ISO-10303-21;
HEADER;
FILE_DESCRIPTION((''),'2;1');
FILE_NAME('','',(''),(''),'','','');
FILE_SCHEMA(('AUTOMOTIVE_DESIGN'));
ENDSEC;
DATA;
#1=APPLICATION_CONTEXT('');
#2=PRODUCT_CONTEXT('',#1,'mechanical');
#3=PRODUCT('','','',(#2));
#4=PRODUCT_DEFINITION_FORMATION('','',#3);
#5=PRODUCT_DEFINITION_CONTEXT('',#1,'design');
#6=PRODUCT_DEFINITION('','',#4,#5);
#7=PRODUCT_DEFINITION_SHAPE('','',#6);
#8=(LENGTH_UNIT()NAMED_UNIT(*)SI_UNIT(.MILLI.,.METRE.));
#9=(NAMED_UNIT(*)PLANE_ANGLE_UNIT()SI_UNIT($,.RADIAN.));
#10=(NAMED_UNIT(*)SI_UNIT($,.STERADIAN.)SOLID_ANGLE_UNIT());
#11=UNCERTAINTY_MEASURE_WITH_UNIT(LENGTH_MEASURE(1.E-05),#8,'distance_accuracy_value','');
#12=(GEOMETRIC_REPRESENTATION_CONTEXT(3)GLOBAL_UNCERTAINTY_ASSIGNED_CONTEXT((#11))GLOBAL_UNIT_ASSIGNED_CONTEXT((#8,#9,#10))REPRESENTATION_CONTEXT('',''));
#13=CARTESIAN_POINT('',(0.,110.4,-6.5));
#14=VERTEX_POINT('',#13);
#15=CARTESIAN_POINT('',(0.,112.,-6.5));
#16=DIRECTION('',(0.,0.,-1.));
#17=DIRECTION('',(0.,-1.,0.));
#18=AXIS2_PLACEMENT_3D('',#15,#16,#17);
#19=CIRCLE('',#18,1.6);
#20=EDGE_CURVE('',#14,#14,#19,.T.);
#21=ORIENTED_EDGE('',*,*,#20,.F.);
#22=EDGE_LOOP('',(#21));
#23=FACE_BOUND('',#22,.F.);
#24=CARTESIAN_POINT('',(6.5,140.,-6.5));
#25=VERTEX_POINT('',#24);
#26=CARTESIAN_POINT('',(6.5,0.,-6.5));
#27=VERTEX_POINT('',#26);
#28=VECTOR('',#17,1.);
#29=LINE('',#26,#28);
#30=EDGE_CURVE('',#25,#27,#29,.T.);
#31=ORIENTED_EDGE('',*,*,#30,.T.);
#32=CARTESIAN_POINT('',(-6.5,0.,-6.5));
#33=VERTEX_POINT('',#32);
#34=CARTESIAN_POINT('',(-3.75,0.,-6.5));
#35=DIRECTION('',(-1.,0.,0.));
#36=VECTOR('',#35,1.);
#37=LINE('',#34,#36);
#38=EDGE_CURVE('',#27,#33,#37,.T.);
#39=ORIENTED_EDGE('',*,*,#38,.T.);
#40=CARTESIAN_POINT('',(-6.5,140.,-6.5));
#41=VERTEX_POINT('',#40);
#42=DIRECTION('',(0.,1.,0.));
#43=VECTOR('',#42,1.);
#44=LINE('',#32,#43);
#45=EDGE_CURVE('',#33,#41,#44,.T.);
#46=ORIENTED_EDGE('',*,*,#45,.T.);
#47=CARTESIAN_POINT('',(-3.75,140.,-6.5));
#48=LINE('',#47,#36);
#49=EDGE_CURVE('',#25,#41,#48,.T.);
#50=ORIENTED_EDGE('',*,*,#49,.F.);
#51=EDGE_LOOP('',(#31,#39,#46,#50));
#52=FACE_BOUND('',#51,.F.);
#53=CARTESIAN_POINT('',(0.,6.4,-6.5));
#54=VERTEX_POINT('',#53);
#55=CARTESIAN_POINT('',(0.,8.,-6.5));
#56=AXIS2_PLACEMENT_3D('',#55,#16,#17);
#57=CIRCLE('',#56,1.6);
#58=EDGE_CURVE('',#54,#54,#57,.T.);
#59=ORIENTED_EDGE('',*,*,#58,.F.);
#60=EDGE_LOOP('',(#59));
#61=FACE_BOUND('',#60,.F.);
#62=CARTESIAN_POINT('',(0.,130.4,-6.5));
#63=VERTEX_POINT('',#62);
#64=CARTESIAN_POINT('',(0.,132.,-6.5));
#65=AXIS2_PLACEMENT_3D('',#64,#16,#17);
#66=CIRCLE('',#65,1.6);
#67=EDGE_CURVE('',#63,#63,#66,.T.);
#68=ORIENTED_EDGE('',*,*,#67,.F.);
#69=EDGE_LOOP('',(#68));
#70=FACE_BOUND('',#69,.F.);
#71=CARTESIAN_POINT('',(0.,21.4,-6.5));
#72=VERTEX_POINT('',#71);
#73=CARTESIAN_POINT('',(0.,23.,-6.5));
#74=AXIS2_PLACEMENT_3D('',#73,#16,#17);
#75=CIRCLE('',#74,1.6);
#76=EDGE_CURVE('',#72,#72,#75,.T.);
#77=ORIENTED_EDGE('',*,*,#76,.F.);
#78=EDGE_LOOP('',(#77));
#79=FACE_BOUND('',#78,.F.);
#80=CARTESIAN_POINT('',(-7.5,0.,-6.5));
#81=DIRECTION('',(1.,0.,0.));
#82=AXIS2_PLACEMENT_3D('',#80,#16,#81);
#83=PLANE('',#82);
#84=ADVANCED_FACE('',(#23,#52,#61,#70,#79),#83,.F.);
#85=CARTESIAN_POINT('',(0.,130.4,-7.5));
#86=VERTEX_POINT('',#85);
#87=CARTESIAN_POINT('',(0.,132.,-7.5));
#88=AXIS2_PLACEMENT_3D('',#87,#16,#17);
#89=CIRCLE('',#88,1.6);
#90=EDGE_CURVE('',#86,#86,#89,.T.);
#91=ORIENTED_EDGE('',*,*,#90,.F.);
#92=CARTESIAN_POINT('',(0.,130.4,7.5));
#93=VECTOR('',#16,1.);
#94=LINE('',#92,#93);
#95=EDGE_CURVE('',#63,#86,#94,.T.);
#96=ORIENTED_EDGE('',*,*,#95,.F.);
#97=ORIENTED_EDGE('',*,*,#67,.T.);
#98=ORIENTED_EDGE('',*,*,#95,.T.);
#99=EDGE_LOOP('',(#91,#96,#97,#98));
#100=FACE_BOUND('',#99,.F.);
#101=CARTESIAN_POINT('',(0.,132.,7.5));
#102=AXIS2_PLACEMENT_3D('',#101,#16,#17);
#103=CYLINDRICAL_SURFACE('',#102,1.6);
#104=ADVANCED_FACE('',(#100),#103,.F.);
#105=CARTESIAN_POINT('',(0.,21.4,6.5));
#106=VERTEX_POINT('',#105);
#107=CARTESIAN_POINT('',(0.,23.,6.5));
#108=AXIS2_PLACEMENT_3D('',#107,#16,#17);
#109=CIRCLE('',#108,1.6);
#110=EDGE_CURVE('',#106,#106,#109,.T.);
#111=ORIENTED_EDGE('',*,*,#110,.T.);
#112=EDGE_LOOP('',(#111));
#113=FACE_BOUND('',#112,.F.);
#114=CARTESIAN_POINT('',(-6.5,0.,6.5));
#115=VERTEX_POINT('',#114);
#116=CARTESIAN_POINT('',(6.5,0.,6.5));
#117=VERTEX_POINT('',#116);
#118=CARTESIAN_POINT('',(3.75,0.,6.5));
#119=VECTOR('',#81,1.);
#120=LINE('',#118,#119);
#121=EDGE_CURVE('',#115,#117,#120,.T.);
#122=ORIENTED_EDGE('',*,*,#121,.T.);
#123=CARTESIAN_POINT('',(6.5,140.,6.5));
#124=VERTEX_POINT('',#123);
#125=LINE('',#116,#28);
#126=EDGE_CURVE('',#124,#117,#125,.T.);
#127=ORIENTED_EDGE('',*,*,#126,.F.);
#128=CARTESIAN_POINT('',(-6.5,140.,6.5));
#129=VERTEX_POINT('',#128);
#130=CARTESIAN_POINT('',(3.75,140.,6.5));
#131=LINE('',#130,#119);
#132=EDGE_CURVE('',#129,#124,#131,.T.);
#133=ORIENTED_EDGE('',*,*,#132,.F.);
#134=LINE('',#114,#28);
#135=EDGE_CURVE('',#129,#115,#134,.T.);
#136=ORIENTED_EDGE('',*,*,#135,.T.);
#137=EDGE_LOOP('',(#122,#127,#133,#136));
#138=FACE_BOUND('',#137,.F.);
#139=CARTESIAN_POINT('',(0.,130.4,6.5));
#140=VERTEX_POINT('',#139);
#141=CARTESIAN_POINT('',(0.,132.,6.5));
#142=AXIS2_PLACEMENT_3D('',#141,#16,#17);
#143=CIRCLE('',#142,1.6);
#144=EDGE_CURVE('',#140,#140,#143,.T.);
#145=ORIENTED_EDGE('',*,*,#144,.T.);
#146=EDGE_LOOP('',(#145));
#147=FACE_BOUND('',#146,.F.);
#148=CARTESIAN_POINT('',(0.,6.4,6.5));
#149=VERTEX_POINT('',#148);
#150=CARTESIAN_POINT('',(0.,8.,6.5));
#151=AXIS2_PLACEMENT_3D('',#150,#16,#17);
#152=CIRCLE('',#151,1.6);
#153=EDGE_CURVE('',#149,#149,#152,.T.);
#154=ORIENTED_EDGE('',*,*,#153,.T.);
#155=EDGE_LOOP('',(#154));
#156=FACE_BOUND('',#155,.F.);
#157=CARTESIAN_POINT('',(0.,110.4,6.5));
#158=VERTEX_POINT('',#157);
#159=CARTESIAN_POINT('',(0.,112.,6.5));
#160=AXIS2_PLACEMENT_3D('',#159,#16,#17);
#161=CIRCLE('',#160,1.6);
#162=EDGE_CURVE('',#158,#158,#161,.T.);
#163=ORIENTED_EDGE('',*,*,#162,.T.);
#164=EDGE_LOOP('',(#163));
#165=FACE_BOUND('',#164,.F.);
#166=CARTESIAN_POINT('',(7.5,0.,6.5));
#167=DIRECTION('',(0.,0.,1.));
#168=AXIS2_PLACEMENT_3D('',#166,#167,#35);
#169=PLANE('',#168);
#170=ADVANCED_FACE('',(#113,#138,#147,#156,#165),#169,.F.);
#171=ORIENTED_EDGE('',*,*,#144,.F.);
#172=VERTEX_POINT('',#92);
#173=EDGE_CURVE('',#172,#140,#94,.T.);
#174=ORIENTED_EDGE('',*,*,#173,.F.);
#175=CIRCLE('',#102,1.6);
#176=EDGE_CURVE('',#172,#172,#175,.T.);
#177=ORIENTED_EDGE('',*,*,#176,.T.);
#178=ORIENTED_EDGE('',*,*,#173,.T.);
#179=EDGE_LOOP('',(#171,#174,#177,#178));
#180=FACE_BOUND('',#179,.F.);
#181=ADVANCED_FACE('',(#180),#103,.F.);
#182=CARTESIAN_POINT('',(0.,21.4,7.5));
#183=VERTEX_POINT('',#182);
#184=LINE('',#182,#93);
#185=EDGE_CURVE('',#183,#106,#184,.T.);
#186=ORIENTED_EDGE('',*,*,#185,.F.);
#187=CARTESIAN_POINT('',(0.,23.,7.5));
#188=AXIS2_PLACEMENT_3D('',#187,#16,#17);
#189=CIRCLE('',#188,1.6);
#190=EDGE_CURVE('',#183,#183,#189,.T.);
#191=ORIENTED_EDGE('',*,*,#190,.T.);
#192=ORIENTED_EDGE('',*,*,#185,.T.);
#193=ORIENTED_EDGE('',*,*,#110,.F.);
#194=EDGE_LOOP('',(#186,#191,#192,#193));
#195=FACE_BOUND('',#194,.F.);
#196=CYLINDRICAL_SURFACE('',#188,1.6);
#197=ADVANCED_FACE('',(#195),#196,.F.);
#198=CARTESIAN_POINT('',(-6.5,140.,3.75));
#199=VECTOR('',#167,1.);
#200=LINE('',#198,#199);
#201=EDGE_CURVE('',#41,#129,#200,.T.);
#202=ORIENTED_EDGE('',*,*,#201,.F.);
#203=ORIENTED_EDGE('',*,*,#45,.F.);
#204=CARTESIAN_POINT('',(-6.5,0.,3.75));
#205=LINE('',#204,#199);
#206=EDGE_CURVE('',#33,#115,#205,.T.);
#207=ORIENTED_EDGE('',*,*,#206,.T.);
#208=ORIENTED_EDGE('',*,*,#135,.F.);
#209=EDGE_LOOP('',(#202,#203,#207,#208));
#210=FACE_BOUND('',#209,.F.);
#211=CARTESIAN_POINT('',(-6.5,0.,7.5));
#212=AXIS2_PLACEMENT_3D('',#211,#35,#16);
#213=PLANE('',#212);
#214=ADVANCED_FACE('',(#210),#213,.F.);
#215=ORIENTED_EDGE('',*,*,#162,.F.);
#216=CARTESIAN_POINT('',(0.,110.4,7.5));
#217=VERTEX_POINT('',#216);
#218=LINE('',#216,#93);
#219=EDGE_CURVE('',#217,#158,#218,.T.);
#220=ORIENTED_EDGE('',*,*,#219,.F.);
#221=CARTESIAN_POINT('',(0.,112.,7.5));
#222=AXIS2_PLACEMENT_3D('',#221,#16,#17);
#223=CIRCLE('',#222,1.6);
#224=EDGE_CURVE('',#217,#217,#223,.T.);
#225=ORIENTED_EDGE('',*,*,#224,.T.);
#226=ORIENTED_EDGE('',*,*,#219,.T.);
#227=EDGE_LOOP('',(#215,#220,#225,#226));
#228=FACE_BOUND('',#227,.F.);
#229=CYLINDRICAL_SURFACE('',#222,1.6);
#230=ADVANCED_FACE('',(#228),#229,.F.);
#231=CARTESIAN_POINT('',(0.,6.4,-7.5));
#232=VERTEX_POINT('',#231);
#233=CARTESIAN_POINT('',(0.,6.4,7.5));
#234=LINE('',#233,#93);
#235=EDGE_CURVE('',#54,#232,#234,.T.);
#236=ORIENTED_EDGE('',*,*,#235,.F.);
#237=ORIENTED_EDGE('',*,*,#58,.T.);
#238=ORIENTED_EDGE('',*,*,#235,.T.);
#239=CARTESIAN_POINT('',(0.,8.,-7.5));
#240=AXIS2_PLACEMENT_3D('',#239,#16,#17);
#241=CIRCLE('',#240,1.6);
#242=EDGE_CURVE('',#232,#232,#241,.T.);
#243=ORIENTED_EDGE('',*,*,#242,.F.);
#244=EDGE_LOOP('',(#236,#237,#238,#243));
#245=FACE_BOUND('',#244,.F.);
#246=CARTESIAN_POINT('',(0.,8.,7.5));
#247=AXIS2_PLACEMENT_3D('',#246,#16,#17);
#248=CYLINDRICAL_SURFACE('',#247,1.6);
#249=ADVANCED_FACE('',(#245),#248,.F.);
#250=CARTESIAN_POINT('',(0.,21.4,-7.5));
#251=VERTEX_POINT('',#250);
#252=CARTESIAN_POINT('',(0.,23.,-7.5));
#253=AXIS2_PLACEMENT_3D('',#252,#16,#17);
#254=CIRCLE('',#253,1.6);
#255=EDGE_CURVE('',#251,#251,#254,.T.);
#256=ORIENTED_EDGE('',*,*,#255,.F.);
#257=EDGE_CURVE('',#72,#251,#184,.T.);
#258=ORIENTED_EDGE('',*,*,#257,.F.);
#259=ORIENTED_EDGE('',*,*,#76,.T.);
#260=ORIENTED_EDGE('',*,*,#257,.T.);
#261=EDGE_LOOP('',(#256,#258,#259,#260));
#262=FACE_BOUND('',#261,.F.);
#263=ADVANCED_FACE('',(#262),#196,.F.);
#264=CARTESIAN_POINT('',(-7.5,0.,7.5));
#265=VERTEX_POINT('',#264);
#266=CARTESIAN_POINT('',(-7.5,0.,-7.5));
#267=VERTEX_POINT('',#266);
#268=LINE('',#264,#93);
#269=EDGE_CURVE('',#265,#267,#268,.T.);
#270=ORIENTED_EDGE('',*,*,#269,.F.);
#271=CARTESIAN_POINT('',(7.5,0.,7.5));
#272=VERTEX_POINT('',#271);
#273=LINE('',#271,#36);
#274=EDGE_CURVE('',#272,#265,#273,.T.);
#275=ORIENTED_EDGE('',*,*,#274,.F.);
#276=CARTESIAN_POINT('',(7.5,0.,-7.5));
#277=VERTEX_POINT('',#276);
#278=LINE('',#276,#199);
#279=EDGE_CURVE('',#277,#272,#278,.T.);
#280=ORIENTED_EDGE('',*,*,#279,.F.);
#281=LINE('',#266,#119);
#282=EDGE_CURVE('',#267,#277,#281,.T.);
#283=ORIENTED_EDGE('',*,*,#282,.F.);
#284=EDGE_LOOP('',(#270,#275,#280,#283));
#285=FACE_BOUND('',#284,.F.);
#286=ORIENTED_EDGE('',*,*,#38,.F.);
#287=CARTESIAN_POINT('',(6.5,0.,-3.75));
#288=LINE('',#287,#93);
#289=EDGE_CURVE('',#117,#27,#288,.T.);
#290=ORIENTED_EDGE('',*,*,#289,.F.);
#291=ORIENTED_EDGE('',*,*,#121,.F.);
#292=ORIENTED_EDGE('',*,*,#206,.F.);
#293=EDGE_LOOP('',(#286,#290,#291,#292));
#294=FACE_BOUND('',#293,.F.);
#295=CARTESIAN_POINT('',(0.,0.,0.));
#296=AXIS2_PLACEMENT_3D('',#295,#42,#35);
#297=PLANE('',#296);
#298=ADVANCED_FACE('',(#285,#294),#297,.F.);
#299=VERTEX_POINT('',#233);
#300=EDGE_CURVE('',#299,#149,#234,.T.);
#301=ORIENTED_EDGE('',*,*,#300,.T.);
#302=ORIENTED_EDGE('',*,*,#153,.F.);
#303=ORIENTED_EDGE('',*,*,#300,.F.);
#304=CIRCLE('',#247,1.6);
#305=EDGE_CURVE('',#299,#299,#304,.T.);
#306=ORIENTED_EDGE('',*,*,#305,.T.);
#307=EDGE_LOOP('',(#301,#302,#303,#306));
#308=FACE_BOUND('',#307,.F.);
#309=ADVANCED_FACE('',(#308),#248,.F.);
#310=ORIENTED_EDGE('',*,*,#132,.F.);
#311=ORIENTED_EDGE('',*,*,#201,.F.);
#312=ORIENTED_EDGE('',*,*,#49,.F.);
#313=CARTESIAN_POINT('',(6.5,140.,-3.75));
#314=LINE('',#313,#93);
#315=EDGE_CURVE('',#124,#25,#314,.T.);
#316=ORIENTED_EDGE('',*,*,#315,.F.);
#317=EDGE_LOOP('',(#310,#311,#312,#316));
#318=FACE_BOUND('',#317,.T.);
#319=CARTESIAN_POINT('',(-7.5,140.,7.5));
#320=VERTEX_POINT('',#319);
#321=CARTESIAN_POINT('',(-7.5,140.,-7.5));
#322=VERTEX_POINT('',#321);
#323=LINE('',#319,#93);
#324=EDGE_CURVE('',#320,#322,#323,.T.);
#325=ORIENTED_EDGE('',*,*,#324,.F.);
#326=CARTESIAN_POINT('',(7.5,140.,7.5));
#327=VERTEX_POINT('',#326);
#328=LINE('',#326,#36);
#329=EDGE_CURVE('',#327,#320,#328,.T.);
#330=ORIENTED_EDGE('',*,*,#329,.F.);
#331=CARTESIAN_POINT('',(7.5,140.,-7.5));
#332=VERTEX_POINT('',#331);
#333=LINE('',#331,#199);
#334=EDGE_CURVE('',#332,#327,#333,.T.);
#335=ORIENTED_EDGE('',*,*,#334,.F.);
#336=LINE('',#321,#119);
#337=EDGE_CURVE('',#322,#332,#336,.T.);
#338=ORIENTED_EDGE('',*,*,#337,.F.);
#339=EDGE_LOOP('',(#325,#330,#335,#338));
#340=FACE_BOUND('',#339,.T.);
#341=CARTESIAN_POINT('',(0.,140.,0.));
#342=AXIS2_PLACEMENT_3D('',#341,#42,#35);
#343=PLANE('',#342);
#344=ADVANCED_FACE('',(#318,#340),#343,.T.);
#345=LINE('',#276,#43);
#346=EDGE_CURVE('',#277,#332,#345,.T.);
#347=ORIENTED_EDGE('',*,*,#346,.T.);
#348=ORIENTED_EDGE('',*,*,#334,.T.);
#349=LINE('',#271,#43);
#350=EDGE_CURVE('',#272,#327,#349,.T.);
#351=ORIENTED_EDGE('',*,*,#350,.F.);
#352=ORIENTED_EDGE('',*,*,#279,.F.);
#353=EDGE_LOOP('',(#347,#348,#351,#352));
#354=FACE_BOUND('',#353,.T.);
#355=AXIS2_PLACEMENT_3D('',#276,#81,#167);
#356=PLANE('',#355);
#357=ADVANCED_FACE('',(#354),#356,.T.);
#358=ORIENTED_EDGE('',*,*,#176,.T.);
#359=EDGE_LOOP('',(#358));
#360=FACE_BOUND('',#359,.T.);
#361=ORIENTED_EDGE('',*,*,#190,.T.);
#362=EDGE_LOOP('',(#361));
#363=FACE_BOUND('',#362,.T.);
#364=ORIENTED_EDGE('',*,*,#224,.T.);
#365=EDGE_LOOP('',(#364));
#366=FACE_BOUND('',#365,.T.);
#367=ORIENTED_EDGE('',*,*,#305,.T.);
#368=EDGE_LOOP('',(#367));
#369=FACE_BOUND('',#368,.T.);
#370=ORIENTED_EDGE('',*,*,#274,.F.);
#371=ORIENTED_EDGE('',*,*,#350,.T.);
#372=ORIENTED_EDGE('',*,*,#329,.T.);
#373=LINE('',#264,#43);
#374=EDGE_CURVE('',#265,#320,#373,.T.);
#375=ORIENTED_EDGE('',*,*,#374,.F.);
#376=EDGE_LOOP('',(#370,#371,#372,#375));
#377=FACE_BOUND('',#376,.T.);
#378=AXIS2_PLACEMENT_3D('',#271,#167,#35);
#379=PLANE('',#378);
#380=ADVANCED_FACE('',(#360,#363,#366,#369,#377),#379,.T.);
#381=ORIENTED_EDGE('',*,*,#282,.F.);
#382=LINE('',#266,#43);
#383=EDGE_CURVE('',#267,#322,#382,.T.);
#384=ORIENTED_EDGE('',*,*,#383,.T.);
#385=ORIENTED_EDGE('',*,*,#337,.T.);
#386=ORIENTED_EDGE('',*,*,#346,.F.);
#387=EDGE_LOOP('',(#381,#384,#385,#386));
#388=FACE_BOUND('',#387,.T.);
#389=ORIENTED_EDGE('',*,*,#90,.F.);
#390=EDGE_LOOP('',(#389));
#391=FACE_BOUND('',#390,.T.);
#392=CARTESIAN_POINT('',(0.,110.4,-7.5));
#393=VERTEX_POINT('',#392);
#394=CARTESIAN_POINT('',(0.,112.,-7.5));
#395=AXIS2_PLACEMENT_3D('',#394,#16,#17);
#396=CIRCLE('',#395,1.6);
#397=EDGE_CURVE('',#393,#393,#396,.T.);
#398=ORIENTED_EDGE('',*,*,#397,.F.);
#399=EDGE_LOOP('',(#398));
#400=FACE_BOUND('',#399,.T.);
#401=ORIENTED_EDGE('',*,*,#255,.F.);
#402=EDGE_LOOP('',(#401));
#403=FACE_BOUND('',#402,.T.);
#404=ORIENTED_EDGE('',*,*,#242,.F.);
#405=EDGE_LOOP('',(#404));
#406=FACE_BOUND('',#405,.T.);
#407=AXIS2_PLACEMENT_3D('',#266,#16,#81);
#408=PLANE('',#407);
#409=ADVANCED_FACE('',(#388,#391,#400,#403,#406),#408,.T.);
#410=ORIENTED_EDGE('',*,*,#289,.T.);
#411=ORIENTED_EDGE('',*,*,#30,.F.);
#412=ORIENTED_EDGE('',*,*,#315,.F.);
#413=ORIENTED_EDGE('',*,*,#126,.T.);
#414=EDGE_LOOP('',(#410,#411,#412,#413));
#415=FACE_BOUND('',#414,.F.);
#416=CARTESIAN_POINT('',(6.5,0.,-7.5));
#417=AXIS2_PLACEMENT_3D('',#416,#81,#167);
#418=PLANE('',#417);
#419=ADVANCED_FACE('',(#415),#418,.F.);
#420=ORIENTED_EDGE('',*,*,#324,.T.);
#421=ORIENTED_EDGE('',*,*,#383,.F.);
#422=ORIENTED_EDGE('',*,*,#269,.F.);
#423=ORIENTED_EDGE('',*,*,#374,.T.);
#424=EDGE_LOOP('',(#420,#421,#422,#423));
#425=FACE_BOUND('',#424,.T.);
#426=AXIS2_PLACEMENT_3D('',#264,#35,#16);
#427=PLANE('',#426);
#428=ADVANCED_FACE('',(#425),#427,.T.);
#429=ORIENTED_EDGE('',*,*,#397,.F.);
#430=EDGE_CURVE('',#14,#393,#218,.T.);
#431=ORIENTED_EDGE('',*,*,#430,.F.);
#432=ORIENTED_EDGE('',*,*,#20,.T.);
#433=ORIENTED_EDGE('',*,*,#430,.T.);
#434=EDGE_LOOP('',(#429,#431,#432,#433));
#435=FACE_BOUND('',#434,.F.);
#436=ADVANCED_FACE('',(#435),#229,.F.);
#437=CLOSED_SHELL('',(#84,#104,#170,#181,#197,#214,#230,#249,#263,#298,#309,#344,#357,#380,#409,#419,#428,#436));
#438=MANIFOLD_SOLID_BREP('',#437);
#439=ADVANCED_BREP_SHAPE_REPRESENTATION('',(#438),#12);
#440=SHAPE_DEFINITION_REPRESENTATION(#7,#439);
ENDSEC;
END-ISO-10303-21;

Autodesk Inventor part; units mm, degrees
ref_plane "YZ Plane" through (0, 0, 0) normal (1, 0, 0) x (0, 1, 0)
ref_plane "XZ Plane" through (0, 0, 0) normal (0, 1, 0) x (-1, 0, 0)
ref_plane "XY Plane" through (0, 0, 0) normal (0, 0, 1) x (1, 0, 0)
sketch "スケッチ1" plane through (0, 0, 0) normal (0, 1, 0) x (-1, 0, 0)
  line L0 (7.5, -7.5) -> (-7.5, -7.5)
  line L1 (-7.5, -7.5) -> (-7.5, 7.5)
  line L2 (-7.5, 7.5) -> (7.5, 7.5)
  line L3 (7.5, 7.5) -> (7.5, -7.5)
  line L4 (7.5, -7.5) -> (-7.5, 7.5) construction
  line L5 (-7.5, -7.5) -> (7.5, 7.5) construction
  point P0 (0, 0)
  dimension "d0" = 15
  dimension "d1" = 15
extrude "押し出し1" add sketch "スケッチ1" along normal blind 140
shell "シェル1" thickness 1 removed faces 2 at (-2.5, 0, -2.5) at (-2.5, 140, -2.5)
sketch "スケッチ2" plane through (-7.5, 0, 7.5) normal (0, 0, 1) x (1, 0, 0)
  line L0 (15, 0) -> (0, 0) projected
  line L1 (0, 140) -> (15, 140) projected
  point P0 (7.5, 0)
  point P1 (7.5, 8)
  point P2 (7.5, 23)
  point P3 (7.5, 0)
  point P4 (7.5, 132)
  point P5 (7.5, 112)
  point P6 (7.5, 140)
  dimension "d5" = 8
  dimension "d6" = 15
  dimension "d14" = 8
  dimension "d15" = 20
hole "穴1" at (0, 8, 7.5) at (0, 23, 7.5) at (0, 132, 7.5) at (0, 112, 7.5) direction (0, 0, -1) diameter 3.2 end through all
properties part number "PitchSquarePipe2" material "アルミニウム 5005-H12"
